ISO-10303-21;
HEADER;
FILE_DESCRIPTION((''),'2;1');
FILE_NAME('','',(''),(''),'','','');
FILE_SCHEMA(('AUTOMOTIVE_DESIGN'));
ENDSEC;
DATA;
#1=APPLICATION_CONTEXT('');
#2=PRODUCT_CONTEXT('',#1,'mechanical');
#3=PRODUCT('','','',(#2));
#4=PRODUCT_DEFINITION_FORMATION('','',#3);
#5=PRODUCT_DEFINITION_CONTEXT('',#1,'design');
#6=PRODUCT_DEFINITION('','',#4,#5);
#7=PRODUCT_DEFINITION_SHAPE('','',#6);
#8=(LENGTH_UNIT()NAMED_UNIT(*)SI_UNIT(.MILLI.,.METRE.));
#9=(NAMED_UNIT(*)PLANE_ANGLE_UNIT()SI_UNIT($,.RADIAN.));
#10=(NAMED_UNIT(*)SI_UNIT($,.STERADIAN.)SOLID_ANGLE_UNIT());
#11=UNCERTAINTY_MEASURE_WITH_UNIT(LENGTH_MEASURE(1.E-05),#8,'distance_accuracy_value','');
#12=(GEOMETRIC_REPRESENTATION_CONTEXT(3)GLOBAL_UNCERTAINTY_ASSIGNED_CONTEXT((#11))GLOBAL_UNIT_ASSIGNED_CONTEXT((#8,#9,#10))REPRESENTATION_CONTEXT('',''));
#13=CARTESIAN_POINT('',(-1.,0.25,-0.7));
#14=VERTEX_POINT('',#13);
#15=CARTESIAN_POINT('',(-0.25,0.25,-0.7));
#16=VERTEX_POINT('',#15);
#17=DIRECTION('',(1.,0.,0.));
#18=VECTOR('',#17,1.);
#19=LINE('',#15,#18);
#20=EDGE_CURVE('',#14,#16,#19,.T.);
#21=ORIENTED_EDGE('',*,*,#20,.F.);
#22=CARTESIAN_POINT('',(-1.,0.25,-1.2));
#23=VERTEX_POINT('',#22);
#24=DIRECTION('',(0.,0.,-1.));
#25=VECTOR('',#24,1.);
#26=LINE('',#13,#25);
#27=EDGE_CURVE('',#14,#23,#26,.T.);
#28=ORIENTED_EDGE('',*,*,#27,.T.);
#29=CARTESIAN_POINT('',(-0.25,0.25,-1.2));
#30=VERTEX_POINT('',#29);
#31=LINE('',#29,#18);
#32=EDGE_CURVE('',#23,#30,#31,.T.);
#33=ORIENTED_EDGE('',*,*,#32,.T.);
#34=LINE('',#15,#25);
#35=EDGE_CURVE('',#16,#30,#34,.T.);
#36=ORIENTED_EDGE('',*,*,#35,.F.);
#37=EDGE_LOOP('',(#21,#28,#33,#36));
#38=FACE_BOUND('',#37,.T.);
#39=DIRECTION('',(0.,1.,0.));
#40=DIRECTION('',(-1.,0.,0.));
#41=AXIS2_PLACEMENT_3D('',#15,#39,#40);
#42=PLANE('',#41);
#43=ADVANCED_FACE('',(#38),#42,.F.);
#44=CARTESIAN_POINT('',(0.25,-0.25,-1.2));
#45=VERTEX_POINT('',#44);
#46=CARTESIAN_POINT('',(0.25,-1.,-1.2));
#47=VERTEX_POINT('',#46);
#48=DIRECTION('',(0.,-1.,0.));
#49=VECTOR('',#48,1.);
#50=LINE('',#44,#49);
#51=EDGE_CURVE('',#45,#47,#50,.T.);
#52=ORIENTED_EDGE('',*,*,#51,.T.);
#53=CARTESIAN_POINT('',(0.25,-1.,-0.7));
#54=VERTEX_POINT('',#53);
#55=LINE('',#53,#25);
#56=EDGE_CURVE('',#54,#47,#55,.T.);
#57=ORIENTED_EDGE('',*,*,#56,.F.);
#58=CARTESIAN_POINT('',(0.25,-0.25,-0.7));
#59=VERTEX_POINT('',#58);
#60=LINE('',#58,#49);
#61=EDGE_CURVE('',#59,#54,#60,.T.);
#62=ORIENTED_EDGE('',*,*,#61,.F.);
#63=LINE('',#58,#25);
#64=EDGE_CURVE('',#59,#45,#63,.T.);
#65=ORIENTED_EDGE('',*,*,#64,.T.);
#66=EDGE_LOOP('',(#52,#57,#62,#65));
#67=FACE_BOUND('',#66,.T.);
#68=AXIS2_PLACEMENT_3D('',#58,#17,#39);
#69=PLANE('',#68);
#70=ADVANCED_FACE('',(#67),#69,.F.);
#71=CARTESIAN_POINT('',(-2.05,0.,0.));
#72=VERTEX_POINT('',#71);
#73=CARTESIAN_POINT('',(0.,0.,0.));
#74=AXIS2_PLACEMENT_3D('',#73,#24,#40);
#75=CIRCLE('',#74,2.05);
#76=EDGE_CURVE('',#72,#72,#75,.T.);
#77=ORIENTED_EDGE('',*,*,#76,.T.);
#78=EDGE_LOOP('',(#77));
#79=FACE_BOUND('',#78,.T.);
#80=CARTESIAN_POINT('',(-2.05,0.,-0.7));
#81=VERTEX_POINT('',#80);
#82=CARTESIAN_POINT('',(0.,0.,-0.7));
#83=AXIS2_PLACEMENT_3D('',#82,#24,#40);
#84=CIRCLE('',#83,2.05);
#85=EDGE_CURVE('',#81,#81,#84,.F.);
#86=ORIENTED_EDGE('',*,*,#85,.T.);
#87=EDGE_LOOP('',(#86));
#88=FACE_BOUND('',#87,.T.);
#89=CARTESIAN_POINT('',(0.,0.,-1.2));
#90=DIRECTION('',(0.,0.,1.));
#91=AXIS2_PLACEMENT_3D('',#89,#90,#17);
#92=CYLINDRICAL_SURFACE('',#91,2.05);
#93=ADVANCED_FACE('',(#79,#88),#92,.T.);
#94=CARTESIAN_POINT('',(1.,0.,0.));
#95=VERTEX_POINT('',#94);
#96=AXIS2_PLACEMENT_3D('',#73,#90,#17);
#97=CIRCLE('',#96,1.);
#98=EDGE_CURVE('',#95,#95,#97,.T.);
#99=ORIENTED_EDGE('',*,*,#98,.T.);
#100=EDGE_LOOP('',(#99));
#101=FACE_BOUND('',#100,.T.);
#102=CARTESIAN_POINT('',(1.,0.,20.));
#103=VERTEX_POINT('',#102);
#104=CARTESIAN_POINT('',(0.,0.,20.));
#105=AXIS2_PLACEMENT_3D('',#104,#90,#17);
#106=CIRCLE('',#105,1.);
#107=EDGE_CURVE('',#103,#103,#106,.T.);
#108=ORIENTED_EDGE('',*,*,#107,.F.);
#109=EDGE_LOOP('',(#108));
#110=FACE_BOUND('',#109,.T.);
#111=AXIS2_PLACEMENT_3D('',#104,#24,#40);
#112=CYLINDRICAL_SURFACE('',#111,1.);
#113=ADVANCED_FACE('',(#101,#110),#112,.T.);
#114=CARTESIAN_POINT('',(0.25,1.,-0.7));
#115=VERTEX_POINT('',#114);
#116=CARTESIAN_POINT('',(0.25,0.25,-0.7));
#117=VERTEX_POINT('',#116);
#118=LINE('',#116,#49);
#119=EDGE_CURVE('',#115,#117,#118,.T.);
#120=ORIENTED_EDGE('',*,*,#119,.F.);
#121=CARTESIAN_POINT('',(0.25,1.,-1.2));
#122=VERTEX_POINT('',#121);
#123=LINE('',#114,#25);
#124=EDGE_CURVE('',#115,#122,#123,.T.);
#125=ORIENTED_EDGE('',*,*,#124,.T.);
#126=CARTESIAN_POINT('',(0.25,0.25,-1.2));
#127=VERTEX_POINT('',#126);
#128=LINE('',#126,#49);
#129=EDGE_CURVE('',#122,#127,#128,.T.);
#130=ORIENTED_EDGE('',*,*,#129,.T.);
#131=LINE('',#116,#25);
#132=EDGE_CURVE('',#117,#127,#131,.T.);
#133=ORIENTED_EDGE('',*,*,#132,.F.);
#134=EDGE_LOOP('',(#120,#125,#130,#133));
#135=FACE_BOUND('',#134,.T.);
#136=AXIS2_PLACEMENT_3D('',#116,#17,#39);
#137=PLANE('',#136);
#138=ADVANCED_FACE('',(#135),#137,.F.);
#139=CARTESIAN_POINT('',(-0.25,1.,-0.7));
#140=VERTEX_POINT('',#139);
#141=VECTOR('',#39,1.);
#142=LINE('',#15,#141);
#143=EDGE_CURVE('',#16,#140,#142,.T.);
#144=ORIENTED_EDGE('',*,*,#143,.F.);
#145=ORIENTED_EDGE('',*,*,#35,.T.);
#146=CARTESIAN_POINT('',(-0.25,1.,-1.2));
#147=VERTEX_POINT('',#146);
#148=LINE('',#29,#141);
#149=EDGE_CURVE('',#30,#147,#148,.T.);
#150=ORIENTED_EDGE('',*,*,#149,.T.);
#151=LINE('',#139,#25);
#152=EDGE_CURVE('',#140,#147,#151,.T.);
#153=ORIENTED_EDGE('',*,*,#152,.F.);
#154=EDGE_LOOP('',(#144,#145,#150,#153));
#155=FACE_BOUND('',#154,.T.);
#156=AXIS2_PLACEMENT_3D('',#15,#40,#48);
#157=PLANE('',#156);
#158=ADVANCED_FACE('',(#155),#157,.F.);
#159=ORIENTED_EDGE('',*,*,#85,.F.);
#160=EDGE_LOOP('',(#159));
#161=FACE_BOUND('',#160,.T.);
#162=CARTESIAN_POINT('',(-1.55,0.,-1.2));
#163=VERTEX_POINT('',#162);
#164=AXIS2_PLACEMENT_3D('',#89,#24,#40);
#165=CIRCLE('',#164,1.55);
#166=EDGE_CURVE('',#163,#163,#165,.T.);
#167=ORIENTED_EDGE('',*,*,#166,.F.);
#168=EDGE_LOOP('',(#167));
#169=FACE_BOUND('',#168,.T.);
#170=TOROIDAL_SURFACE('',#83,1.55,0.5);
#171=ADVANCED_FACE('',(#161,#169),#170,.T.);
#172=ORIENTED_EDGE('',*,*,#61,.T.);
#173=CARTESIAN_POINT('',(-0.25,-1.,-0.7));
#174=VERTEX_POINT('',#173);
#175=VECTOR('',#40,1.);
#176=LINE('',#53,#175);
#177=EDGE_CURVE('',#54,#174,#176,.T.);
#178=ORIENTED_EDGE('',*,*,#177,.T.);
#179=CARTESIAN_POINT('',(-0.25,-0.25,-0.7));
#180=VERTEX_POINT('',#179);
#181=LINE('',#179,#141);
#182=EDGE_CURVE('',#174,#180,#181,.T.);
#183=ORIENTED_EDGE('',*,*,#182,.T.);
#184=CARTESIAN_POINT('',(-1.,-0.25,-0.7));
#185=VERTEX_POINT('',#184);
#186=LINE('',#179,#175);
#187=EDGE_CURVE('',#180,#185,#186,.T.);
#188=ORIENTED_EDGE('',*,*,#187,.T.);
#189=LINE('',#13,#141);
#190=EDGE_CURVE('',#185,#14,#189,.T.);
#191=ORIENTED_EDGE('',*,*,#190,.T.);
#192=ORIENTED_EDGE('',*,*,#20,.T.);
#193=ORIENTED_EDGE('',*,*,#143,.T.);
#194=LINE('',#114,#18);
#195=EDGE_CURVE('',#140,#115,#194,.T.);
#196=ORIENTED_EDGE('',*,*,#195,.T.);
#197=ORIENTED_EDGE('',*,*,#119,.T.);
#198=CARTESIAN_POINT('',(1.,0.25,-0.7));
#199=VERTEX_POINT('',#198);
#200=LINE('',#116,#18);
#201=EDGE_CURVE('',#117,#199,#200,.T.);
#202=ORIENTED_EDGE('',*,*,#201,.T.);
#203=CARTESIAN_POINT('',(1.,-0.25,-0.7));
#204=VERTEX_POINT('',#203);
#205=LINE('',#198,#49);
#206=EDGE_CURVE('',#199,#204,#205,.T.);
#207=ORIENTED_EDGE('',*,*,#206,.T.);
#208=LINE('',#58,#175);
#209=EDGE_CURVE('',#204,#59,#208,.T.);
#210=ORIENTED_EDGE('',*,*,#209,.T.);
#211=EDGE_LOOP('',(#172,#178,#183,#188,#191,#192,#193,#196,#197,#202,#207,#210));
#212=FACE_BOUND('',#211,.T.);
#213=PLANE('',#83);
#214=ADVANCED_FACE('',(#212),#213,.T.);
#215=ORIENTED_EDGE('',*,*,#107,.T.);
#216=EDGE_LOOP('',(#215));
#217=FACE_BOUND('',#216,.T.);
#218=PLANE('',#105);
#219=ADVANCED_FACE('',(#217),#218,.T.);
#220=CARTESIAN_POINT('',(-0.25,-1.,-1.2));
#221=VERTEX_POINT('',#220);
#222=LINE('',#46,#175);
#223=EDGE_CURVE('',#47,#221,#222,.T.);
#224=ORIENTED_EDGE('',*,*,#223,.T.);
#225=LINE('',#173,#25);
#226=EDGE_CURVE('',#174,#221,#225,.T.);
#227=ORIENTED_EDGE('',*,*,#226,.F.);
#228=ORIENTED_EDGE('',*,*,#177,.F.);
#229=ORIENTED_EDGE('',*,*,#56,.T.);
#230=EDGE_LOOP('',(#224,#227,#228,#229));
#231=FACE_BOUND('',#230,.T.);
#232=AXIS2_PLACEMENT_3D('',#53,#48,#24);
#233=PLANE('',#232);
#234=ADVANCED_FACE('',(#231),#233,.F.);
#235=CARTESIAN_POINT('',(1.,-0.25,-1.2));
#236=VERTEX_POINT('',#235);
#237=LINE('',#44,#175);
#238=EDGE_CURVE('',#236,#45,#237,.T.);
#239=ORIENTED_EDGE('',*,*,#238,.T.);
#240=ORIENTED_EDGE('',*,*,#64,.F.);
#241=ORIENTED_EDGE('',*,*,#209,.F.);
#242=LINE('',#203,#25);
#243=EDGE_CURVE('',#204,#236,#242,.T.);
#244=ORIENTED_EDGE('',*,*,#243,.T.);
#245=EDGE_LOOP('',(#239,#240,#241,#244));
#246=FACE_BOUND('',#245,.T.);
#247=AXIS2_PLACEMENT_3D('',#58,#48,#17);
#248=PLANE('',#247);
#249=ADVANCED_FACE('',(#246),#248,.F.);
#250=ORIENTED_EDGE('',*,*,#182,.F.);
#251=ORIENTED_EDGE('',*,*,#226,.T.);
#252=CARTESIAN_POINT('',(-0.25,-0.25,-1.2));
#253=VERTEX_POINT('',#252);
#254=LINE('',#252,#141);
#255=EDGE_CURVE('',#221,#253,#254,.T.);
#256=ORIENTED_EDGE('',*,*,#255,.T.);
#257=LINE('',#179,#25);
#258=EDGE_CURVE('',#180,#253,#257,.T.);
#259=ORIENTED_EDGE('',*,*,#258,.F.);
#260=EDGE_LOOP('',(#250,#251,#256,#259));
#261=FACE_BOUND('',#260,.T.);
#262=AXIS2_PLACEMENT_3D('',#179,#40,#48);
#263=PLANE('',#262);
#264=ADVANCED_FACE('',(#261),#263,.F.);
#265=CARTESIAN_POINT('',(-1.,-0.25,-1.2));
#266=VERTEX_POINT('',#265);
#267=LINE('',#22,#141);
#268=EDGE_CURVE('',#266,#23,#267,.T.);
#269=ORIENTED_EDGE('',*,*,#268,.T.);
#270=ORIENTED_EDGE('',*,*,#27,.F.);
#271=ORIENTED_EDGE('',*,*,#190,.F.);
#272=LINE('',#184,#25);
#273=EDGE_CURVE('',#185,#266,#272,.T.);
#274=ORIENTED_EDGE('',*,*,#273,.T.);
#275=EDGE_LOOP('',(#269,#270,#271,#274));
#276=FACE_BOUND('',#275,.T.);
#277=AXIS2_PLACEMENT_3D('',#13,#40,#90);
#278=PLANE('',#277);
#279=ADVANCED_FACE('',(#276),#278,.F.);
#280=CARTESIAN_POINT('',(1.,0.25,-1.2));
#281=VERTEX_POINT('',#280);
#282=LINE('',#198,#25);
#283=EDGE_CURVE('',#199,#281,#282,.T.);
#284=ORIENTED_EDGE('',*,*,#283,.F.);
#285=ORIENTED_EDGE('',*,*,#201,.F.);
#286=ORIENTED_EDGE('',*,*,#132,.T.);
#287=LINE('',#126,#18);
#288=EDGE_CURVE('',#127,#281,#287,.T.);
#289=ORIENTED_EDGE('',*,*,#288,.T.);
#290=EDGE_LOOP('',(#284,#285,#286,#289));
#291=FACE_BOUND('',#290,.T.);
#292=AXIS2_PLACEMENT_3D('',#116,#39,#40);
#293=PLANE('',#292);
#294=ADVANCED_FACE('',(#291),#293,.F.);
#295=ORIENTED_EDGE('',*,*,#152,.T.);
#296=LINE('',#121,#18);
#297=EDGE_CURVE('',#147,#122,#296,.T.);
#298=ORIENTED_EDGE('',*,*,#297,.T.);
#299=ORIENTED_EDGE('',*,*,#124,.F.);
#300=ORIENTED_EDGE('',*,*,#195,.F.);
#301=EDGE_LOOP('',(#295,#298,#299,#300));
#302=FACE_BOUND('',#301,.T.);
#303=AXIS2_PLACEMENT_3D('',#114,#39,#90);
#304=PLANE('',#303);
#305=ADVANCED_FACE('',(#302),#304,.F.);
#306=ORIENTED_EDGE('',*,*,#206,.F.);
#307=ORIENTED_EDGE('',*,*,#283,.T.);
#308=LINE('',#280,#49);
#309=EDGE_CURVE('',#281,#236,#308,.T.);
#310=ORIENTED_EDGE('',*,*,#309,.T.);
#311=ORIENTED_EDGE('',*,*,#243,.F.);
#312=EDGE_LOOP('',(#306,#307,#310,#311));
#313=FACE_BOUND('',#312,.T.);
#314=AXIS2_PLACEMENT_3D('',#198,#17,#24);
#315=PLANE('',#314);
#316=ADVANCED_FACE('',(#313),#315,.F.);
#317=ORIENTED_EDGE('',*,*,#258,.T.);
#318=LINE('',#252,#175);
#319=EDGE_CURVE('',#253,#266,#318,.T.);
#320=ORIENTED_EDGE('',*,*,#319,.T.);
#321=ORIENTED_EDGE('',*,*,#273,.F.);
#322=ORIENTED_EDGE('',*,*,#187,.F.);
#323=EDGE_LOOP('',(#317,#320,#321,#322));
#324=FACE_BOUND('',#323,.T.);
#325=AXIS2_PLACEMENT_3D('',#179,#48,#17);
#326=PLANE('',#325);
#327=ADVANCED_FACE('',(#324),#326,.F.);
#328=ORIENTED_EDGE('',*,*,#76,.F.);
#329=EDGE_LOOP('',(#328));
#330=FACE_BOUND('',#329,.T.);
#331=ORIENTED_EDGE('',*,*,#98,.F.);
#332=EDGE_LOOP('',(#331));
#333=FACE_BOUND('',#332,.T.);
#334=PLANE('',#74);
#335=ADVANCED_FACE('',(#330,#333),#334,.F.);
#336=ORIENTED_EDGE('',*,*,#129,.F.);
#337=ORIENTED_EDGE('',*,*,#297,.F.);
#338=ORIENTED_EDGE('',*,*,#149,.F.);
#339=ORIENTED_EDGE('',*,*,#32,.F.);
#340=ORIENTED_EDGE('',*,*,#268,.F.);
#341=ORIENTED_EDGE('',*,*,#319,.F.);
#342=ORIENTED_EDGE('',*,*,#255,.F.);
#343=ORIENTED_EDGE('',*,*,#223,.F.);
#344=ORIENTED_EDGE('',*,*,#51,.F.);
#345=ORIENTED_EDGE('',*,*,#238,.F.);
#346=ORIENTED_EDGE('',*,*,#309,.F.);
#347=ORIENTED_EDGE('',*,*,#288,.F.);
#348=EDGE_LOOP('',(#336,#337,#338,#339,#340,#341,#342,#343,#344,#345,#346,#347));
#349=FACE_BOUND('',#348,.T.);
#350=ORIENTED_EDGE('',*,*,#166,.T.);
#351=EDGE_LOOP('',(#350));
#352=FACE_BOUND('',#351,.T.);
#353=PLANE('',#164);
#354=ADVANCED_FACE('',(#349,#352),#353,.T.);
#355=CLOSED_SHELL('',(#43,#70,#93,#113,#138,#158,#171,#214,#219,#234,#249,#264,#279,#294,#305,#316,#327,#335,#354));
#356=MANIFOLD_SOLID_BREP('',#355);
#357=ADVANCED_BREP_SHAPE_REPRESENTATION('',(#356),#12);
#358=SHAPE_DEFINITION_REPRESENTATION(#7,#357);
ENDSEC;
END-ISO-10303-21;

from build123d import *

# Parameters (mm, degrees)
SCHIZZO1_R                   = 1
ESTRUSIONE_ESTRUSIONE1_DEPTH = 20
SCHIZZO2_R                   = 2.05
ESTRUSIONE_ESTRUSIONE2_DEPTH = 1.2
RACCORDO1_R                  = 0.5
TAGLIO_ESTRUSIONE1_DEPTH     = 0.5


with BuildPart() as part:
    # Schizzo1 → Estrusione-Estrusione1 (new body)
    with BuildSketch(Plane.XY):
        Circle(SCHIZZO1_R)
    extrude(amount=ESTRUSIONE_ESTRUSIONE1_DEPTH)

    # Schizzo2 → Estrusione-Estrusione2 (add)
    with BuildSketch(Plane(origin=(0, 0, 0), x_dir=(-1, 0, 0), z_dir=(0, 0, -1))):
        Circle(SCHIZZO2_R)
    extrude(amount=ESTRUSIONE_ESTRUSIONE2_DEPTH)

    # Raccordo1
    raccordo1_edges = [part.edges().sort_by_distance(p)[0] for p in [
        (2.05, 0, -1.2),
    ]]
    fillet(raccordo1_edges, radius=RACCORDO1_R)

    # Schizzo3 → Taglio-Estrusione1 (cut)
    with BuildSketch(Plane(origin=(0, 0, -1.2), x_dir=(-1, 0, 0), z_dir=(0, 0, -1))):
        Polygon((-0.25, 0.25), (-1, 0.25), (-1, -0.25), (-0.25, -0.25), (-0.25, -1), (0.25, -1), (0.25, -0.25), (1, -0.25), (1, 0.25), (0.25, 0.25), (0.25, 1), (-0.25, 1), align=None)
    extrude(amount=-TAGLIO_ESTRUSIONE1_DEPTH, mode=Mode.SUBTRACT)


solid = part.part
